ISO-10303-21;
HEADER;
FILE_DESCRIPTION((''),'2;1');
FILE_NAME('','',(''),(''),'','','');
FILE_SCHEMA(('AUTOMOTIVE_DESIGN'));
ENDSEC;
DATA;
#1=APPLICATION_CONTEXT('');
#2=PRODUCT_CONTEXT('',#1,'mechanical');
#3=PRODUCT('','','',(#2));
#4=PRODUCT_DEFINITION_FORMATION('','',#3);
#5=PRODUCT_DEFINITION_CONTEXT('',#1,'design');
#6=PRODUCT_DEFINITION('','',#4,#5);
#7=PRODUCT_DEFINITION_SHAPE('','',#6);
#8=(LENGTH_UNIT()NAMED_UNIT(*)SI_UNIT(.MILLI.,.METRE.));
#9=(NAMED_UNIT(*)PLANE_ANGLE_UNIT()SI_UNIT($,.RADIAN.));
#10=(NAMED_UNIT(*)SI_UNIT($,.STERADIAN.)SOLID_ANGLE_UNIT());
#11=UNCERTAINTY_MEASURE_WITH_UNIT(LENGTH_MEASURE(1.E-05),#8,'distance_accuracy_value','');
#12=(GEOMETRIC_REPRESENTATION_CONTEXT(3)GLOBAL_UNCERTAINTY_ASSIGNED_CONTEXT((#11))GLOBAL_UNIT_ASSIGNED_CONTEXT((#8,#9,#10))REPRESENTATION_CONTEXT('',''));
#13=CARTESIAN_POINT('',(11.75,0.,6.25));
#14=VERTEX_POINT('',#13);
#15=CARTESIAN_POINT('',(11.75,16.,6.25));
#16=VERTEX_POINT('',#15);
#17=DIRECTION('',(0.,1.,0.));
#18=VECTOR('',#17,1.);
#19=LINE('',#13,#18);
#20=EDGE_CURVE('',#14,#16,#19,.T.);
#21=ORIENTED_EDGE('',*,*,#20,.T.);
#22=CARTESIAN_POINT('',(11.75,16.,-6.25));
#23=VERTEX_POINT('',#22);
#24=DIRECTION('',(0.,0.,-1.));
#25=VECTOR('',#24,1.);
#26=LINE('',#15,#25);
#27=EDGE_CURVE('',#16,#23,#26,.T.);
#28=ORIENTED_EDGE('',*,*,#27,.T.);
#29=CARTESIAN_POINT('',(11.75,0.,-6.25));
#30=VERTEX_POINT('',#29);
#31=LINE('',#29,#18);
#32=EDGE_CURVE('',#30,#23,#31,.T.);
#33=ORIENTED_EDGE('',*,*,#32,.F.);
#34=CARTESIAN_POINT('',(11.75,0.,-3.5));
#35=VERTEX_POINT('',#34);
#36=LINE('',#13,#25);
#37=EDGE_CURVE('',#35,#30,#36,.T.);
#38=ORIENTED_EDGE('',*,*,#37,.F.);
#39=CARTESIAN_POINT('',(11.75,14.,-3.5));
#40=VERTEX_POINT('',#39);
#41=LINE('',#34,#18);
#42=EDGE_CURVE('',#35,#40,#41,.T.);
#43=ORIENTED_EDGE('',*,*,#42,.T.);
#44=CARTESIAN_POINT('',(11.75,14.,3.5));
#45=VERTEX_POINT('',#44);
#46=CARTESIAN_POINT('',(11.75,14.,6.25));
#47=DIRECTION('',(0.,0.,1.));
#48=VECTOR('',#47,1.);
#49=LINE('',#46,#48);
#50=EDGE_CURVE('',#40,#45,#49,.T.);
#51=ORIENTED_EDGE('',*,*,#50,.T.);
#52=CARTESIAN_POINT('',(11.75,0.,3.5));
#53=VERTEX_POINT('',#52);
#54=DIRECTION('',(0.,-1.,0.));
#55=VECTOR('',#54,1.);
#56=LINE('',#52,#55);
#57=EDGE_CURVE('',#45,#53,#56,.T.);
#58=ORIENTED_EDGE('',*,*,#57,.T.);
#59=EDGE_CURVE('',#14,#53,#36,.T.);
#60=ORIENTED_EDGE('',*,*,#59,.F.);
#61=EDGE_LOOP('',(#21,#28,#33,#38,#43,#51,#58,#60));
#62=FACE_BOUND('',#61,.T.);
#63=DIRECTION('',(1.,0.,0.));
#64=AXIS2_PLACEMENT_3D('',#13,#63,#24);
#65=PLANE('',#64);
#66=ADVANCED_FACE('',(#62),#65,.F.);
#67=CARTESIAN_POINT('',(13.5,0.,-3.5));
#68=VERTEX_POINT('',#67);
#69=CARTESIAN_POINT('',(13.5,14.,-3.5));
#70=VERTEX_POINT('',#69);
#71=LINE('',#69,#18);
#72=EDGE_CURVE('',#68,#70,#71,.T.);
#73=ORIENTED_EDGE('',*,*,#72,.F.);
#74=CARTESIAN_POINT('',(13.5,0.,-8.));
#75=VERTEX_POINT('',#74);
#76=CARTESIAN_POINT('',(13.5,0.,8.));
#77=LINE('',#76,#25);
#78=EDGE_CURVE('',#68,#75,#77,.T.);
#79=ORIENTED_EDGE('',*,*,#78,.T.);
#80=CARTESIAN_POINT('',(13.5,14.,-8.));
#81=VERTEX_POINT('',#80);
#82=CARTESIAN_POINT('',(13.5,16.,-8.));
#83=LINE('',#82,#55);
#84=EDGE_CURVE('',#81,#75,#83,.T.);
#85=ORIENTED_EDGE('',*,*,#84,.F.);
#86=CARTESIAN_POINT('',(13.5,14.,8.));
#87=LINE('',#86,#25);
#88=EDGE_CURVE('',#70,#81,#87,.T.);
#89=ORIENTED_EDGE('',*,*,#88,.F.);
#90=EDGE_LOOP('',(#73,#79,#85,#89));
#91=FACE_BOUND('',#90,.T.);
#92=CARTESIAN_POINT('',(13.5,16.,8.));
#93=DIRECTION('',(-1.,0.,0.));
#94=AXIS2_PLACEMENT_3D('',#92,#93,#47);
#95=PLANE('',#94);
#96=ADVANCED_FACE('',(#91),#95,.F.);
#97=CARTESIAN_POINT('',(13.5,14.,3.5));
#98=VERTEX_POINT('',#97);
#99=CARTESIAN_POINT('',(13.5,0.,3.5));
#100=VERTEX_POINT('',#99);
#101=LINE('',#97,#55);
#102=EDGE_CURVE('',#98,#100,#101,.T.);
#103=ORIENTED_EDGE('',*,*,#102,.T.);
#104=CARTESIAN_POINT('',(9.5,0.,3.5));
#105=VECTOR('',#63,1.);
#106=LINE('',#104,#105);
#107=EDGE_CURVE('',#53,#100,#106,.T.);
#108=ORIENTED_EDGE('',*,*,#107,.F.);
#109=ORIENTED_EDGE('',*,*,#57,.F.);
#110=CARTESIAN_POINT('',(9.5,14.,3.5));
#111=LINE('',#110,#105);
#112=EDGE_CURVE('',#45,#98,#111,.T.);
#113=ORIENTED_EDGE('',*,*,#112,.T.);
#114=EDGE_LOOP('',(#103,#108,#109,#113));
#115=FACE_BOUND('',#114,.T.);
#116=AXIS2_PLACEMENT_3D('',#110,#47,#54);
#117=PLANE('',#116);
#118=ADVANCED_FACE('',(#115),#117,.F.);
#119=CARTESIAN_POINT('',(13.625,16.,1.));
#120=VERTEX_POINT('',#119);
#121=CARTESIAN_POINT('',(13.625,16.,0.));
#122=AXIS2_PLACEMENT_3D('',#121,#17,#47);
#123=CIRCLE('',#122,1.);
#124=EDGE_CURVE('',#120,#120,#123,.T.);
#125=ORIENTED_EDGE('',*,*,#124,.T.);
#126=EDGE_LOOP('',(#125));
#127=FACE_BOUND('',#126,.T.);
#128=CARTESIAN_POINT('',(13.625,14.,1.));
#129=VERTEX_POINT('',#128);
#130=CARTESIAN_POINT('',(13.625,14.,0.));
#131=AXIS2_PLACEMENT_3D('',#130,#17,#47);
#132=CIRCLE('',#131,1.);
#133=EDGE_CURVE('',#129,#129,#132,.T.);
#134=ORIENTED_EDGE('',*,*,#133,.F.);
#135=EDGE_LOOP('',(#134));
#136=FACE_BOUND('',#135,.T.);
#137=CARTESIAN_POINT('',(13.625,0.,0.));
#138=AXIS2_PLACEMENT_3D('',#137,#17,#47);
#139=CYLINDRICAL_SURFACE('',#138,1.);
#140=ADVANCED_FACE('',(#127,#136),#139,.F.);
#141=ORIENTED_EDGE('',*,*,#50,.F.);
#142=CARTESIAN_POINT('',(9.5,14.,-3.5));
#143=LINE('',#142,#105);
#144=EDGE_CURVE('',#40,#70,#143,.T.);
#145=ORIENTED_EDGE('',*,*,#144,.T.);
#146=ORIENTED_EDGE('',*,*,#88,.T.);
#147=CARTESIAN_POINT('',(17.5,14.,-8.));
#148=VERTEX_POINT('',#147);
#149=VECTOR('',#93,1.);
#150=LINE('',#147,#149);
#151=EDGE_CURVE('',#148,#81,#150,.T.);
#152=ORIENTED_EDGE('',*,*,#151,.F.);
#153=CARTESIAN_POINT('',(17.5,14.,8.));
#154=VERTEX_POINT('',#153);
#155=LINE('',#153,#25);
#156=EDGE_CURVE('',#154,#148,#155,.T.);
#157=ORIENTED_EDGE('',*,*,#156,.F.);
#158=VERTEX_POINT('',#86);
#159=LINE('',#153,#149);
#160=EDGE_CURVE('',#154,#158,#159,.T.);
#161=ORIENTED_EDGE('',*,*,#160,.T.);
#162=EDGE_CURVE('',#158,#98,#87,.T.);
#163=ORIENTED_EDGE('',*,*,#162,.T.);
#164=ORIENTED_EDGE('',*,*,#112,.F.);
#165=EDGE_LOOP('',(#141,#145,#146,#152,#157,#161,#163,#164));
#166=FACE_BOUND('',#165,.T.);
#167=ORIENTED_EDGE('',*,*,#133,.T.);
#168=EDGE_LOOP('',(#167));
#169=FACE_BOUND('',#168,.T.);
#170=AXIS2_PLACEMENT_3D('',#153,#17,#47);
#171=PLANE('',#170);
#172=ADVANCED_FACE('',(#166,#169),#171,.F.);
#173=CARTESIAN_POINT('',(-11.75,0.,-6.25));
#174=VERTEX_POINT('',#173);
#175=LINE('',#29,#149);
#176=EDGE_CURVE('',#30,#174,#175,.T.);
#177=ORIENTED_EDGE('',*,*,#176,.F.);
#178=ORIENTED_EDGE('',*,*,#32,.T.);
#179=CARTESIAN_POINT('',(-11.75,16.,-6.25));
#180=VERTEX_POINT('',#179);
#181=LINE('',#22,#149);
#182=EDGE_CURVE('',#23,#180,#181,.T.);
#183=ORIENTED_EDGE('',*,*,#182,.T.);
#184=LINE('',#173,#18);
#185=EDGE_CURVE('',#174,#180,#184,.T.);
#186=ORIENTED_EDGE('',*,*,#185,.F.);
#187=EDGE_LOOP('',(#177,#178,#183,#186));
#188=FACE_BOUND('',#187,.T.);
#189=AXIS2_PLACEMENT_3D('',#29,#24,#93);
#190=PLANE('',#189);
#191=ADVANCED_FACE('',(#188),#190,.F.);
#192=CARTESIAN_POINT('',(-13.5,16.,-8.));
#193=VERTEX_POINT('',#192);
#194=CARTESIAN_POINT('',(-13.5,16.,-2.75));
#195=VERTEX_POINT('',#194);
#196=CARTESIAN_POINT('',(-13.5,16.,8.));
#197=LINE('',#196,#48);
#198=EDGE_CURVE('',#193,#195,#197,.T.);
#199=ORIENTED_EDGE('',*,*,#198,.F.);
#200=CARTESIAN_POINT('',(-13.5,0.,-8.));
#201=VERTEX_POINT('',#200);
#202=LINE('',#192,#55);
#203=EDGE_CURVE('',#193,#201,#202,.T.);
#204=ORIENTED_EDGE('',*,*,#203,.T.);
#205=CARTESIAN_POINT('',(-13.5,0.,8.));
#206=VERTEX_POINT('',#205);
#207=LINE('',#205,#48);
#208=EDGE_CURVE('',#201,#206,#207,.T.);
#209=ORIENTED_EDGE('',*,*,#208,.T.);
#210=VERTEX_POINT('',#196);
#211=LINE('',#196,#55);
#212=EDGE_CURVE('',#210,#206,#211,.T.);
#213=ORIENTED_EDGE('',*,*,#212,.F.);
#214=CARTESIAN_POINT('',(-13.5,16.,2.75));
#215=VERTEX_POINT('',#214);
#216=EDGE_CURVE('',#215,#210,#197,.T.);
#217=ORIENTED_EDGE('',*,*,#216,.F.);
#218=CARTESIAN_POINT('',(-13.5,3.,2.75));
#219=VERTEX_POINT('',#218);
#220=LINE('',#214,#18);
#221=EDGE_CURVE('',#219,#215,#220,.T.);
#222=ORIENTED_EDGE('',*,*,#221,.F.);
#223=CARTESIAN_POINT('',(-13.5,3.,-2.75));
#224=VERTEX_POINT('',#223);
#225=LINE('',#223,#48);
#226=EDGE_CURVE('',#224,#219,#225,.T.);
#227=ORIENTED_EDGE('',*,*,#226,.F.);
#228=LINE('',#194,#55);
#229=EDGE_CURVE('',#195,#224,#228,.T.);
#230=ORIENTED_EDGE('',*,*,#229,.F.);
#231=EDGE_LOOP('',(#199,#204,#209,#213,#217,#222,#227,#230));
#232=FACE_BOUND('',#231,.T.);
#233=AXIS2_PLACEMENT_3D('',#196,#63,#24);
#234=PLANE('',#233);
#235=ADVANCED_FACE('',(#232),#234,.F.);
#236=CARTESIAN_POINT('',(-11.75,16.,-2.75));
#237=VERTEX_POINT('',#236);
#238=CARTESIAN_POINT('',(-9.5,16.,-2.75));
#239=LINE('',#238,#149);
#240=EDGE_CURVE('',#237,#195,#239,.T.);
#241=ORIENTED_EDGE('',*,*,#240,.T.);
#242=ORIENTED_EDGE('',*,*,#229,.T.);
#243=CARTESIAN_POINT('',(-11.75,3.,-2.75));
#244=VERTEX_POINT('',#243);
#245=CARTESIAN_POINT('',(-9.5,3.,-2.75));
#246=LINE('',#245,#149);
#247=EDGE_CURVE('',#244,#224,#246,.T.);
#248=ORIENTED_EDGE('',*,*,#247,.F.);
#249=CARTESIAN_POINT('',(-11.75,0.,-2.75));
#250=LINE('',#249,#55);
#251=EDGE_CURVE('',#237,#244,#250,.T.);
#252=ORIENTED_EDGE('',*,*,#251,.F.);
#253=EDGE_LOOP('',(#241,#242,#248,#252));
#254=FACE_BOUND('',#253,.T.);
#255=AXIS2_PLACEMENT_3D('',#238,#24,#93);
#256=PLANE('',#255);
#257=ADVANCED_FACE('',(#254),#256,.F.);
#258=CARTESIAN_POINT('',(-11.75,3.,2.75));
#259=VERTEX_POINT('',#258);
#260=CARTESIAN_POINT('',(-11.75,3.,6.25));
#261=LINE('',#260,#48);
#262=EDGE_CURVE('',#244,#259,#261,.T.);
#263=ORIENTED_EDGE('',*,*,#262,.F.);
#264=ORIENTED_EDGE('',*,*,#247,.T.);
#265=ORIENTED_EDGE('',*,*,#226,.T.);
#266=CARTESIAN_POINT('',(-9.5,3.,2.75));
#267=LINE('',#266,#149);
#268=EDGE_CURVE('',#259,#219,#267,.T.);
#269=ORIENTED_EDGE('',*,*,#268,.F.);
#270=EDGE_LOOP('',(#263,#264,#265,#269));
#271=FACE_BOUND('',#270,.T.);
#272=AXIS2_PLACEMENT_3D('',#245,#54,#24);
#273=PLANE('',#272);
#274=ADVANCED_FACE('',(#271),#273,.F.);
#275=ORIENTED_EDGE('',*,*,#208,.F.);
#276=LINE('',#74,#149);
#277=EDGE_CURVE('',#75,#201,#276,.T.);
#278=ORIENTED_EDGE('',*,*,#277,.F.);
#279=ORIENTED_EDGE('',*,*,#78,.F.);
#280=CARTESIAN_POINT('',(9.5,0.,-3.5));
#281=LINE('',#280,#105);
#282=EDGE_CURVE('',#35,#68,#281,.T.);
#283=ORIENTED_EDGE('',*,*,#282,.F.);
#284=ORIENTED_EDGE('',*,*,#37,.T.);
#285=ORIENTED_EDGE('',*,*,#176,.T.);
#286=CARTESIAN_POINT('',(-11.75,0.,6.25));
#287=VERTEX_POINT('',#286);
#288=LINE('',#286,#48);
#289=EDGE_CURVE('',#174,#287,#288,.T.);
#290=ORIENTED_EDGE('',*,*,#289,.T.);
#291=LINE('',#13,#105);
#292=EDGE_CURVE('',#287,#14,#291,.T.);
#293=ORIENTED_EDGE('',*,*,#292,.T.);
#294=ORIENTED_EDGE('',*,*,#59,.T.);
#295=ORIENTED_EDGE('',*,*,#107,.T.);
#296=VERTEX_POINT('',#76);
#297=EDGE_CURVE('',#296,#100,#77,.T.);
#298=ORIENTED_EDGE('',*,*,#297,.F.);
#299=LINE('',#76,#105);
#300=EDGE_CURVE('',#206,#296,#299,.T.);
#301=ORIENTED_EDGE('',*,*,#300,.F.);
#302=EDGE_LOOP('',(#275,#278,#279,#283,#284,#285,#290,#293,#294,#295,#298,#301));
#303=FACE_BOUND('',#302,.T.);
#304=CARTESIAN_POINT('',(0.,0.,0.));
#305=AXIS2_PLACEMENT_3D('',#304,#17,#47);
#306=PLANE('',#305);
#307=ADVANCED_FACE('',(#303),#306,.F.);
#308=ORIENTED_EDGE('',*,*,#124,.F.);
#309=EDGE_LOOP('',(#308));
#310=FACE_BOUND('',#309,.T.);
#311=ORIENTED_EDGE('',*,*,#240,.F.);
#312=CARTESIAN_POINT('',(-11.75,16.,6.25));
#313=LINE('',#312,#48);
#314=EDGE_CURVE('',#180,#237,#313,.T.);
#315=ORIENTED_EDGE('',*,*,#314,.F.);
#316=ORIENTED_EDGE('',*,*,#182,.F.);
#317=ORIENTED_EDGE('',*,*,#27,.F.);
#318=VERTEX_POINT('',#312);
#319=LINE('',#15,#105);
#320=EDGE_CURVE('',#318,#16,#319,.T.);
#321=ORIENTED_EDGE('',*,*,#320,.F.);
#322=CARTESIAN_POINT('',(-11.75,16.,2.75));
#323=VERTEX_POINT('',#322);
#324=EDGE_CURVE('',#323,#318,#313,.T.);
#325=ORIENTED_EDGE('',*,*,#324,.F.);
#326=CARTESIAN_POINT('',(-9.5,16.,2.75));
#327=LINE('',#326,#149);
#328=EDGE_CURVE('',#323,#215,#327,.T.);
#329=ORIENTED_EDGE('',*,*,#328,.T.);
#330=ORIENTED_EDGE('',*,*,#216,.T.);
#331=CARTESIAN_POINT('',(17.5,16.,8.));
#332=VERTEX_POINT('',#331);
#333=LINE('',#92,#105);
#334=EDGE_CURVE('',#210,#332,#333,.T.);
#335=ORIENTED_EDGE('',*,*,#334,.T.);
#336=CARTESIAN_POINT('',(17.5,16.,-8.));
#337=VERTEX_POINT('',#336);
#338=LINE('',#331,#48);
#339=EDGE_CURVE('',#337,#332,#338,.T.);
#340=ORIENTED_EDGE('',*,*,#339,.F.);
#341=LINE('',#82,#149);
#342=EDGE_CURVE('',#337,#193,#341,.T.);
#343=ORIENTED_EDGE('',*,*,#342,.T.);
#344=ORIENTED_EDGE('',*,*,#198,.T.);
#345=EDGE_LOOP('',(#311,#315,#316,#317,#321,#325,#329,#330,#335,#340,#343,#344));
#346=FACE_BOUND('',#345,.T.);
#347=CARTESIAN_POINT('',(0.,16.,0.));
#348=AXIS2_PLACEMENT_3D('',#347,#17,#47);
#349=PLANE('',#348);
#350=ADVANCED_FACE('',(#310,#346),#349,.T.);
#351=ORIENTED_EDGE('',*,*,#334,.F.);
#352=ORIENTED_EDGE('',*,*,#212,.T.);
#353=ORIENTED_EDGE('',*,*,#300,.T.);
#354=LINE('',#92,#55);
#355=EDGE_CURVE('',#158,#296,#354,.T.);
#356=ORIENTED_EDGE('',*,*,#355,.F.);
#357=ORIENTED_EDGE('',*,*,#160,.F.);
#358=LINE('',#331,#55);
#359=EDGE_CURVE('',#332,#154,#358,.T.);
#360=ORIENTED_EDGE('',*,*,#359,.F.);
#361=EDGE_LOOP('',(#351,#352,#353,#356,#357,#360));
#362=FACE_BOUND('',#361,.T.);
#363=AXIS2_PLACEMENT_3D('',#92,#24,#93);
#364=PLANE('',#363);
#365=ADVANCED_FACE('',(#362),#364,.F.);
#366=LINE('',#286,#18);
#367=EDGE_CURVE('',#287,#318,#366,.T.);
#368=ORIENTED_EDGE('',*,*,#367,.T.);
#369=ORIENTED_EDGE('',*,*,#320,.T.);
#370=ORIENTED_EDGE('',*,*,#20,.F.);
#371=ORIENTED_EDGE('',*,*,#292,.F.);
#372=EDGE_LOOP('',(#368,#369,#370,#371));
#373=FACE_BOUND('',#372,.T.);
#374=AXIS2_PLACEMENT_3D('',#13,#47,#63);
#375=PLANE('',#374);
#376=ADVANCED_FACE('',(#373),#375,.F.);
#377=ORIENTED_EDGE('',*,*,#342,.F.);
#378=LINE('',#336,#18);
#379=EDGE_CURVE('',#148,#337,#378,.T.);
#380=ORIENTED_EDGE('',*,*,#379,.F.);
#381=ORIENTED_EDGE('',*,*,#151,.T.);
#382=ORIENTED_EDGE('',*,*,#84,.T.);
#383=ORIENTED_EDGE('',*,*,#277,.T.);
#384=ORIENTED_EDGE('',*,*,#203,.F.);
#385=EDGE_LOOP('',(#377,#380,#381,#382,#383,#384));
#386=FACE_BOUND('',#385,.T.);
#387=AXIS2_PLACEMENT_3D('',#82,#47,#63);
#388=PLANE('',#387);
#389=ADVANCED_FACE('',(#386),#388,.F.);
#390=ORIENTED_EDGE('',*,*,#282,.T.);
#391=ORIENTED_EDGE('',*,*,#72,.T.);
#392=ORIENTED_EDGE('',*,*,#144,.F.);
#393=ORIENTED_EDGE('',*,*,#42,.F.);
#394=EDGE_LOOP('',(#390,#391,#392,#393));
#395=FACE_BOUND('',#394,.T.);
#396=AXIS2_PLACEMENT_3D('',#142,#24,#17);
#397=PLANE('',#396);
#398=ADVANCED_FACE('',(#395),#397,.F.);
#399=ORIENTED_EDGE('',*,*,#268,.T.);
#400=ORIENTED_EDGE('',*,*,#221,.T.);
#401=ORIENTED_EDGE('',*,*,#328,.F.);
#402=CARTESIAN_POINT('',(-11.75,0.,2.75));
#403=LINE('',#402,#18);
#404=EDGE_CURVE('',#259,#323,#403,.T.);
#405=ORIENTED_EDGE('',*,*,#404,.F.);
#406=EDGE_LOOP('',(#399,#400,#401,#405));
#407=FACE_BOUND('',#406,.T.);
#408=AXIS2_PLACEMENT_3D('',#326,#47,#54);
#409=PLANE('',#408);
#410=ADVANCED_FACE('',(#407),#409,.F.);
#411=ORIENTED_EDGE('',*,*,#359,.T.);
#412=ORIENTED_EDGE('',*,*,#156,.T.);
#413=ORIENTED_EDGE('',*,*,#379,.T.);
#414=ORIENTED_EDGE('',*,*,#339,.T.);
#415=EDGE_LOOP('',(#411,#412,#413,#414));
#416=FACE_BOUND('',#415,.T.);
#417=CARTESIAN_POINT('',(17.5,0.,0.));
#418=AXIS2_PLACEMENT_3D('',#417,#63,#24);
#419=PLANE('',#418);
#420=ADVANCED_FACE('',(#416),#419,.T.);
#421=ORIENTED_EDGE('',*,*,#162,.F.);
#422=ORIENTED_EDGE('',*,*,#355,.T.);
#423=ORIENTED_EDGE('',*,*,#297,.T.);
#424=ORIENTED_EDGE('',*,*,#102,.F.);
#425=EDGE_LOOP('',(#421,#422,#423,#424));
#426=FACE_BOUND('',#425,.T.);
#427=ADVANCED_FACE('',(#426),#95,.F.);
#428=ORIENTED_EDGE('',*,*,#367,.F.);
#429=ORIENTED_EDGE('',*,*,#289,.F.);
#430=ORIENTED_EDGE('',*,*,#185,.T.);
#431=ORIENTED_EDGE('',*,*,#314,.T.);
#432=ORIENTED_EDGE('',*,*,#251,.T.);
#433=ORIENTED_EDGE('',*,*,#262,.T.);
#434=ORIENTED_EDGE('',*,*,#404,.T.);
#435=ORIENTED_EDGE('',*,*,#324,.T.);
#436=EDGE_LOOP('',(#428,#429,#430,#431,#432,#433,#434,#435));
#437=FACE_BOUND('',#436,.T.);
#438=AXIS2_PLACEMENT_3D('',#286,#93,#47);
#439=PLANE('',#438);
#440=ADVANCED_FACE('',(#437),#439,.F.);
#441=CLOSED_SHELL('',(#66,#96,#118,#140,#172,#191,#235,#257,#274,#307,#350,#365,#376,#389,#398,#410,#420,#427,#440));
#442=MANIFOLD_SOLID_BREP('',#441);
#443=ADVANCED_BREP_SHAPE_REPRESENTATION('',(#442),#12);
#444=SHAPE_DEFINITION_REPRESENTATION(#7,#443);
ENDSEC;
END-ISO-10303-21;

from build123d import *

# Parameters (mm, degrees)
SKETCH1_W           = 27
SKETCH1_H           = 16
BOSS_EXTRUDE1_DEPTH = 16
SKETCH2_W           = 23.5
SKETCH2_H           = 12.5
CUT_EXTRUDE1_DEPTH  = 16
SKETCH3_W           = 5.5
SKETCH3_H           = 13
CUT_EXTRUDE2_DEPTH  = 4
SKETCH4_W           = 16
SKETCH4_H           = 2
BOSS_EXTRUDE2_DEPTH = 4
SKETCH5_R           = 1
CUT_EXTRUDE3_DEPTH  = 17
SKETCH6_W           = 7
SKETCH6_H           = 14
CUT_EXTRUDE4_DEPTH  = 4


with BuildPart() as part:
    # Sketch1 → Boss-Extrude1 (new body)
    with BuildSketch(Plane(origin=(0, 0, 0), x_dir=(1, 0, 0), z_dir=(0, 1, 0))):
        Rectangle(SKETCH1_W, SKETCH1_H)
    extrude(amount=BOSS_EXTRUDE1_DEPTH)

    # Sketch2 → Cut-Extrude1 (cut)
    with BuildSketch(Plane(origin=(0, 16, 0), x_dir=(1, 0, 0), z_dir=(0, 1, 0))):
        Rectangle(SKETCH2_W, SKETCH2_H)
    extrude(amount=-CUT_EXTRUDE1_DEPTH, mode=Mode.SUBTRACT)

    # Sketch3 → Cut-Extrude2 (cut)
    with BuildSketch(Plane.ZY.offset(13.5)):
        with Locations((0, 9.5)):
            Rectangle(SKETCH3_W, SKETCH3_H)
    extrude(amount=-CUT_EXTRUDE2_DEPTH, mode=Mode.SUBTRACT)

    # Sketch4 → Boss-Extrude2 (add)
    with BuildSketch(Plane(origin=(13.5, 0, 0), x_dir=(0, 0, -1), z_dir=(1, 0, 0))):
        with Locations((0, 15)):
            Rectangle(SKETCH4_W, SKETCH4_H)
    extrude(amount=BOSS_EXTRUDE2_DEPTH)

    # Sketch5 → Cut-Extrude3 (cut, through all)
    with BuildSketch(Plane(origin=(0, 16, 0), x_dir=(1, 0, 0), z_dir=(0, 1, 0))):
        with Locations((13.625, 0)):
            Circle(SKETCH5_R)
    extrude(amount=-CUT_EXTRUDE3_DEPTH, mode=Mode.SUBTRACT)

    # Sketch6 → Cut-Extrude4 (cut)
    with BuildSketch(Plane(origin=(13.5, 0, 0), x_dir=(0, 0, -1), z_dir=(1, 0, 0))):
        with Locations((0, 7)):
            Rectangle(SKETCH6_W, SKETCH6_H)
    extrude(amount=-CUT_EXTRUDE4_DEPTH, mode=Mode.SUBTRACT)


solid = part.part
